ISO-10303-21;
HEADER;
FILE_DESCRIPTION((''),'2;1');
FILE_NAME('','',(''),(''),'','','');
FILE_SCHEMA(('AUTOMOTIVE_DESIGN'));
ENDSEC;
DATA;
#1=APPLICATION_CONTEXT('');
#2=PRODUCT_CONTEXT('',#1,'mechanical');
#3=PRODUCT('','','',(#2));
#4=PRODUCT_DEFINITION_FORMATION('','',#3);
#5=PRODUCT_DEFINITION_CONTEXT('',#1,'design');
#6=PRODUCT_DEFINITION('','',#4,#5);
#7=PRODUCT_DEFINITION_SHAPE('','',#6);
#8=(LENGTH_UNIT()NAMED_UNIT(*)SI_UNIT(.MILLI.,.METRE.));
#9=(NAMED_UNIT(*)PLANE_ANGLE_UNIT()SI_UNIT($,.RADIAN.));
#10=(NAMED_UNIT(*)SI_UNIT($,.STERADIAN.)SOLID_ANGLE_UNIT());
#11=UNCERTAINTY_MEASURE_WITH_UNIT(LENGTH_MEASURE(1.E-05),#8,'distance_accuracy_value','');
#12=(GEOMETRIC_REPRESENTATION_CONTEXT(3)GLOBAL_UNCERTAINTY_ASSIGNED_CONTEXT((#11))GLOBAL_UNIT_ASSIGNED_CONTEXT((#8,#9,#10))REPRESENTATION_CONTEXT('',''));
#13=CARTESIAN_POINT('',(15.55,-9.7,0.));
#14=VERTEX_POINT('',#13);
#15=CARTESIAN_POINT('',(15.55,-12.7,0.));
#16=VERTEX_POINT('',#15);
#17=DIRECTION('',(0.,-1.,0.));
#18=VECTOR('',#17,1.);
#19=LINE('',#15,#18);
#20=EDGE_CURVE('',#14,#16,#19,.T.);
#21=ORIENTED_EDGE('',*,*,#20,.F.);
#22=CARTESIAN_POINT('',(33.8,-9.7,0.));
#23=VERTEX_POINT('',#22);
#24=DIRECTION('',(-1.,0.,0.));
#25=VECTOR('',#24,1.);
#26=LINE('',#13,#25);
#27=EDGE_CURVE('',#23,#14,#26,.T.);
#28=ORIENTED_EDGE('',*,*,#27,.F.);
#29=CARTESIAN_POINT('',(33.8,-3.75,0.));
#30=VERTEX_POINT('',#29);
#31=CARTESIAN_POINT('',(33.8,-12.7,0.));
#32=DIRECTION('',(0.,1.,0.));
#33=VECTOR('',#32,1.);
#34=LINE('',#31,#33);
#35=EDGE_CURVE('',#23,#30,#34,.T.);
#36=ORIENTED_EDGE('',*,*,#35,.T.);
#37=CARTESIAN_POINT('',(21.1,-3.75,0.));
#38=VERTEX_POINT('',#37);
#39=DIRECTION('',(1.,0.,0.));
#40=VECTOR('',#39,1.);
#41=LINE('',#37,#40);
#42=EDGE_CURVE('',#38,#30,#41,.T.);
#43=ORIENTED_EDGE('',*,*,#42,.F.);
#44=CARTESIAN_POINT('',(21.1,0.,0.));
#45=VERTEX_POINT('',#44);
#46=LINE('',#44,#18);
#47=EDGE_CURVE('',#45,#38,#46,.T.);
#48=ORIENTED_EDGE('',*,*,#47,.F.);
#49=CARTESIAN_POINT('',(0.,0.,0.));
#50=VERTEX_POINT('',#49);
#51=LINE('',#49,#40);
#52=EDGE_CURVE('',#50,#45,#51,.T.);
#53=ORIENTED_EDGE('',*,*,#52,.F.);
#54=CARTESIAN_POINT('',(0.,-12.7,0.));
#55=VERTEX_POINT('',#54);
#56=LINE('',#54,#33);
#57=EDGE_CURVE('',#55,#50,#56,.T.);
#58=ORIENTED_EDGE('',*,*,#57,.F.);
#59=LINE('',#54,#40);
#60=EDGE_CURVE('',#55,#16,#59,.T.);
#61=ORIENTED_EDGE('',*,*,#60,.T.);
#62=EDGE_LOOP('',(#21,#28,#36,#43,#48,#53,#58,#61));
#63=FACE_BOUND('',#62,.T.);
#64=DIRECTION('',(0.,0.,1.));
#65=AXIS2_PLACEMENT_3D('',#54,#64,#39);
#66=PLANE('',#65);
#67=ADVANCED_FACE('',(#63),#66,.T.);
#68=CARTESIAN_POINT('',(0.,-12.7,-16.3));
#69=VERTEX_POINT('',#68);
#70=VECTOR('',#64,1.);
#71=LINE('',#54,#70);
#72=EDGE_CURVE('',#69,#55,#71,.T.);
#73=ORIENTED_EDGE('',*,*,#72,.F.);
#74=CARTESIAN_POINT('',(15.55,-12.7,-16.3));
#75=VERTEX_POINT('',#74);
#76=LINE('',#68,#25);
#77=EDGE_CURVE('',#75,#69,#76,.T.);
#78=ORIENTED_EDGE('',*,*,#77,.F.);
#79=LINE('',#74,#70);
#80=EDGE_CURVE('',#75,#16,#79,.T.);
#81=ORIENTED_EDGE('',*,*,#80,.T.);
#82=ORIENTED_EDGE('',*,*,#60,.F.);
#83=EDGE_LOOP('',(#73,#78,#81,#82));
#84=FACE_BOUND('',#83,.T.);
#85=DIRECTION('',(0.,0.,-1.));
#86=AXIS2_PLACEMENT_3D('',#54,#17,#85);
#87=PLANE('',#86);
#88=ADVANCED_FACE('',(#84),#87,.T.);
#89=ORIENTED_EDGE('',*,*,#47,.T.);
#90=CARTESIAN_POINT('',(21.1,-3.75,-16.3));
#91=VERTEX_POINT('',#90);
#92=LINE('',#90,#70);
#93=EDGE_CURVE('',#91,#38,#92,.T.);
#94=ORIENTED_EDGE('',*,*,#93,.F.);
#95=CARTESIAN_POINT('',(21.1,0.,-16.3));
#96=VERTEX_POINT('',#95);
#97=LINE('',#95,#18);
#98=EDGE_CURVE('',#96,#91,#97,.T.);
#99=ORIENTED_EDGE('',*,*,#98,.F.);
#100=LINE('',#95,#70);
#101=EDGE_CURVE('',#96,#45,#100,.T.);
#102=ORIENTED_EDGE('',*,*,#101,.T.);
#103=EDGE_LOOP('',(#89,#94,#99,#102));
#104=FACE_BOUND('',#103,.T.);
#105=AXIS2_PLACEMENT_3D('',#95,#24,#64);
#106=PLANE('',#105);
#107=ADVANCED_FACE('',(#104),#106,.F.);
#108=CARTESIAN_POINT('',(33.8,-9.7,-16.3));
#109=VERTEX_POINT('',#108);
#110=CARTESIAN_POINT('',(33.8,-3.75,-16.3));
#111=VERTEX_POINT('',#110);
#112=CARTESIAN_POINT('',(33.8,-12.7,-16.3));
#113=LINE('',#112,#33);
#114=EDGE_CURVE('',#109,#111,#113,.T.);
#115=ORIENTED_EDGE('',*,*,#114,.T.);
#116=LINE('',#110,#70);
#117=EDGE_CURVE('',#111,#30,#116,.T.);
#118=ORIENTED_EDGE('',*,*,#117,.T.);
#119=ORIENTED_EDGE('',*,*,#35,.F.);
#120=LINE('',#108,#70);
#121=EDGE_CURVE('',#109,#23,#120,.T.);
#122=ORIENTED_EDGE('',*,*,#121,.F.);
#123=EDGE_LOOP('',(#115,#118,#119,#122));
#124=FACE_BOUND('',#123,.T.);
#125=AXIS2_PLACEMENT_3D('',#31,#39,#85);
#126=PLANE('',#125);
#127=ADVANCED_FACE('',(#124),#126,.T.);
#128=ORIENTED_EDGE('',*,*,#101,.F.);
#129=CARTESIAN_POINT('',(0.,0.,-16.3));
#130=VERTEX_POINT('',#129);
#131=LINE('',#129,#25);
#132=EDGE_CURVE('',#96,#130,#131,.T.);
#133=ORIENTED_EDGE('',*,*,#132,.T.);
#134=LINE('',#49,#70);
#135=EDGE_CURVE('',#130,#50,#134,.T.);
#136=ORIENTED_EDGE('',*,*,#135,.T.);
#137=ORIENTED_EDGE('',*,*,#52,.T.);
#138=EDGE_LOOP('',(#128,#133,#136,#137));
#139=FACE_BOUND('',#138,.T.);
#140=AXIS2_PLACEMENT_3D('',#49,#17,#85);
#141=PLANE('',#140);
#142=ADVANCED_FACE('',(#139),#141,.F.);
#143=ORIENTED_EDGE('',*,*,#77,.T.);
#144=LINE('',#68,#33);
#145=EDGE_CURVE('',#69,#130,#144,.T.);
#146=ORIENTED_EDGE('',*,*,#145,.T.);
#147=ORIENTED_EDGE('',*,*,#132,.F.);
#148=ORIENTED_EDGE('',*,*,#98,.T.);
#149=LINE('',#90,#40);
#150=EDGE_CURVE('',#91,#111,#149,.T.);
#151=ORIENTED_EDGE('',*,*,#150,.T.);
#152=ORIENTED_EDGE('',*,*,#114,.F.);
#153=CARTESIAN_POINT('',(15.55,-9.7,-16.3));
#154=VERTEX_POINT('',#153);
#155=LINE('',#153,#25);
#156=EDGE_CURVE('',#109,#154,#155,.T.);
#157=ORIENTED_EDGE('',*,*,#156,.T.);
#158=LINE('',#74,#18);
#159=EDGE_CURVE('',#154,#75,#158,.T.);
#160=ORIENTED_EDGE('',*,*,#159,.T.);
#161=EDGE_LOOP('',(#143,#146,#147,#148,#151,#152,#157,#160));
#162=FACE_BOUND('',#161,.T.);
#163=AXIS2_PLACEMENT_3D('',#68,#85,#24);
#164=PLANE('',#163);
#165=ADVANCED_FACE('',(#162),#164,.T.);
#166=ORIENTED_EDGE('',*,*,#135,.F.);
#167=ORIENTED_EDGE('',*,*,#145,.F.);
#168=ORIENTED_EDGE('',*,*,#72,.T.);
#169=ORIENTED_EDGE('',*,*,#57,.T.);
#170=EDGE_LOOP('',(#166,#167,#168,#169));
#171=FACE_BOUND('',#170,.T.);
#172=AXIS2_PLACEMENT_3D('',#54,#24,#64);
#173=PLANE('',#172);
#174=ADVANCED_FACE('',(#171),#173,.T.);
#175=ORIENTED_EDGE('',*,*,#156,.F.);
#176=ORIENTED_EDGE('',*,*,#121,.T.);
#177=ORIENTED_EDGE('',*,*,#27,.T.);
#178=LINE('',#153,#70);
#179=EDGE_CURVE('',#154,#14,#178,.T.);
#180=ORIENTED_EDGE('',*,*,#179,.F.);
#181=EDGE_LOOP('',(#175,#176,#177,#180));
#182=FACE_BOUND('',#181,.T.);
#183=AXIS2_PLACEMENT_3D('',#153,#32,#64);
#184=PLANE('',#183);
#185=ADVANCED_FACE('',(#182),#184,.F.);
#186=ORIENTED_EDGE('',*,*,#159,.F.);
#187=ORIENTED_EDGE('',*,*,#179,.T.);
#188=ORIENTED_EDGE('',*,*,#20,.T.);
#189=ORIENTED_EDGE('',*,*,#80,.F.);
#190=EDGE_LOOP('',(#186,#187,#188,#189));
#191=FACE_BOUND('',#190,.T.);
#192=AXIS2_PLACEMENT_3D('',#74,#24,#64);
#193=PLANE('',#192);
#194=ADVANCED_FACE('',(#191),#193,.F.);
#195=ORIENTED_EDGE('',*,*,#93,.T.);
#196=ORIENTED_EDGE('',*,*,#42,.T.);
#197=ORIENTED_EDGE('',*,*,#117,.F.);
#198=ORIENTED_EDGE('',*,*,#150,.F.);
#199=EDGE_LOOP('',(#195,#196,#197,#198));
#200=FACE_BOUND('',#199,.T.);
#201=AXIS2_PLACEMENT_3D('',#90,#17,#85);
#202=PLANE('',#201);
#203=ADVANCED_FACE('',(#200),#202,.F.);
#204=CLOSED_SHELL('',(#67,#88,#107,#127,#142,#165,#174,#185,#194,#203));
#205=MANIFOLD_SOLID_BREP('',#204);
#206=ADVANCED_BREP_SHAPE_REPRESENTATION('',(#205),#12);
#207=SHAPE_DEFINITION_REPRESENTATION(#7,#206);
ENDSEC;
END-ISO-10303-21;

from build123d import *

# Parameters (mm, degrees)
SKETCH1_W           = 33.8
SKETCH1_H           = 16.3
BOSS_EXTRUDE1_DEPTH = 12.7
SKETCH2_W           = 18.25
SKETCH2_H           = 3
SKETCH2_W_2         = 12.7
SKETCH2_H_2         = 3.75
CUT_EXTRUDE1_DEPTH  = 40.615905896


with BuildPart() as part:
    # Sketch1 → Boss-Extrude1 (new body)
    with BuildSketch(Plane(origin=(0, 0, 0), x_dir=(1, 0, 0), z_dir=(0, 1, 0))):
        with Locations((16.9, 8.15)):
            Rectangle(SKETCH1_W, SKETCH1_H)
    extrude(amount=-BOSS_EXTRUDE1_DEPTH)

    # Sketch2 → Cut-Extrude1 (cut, through all)
    with BuildSketch(Plane.XY):
        with Locations((24.675, -11.2)):
            Rectangle(SKETCH2_W, SKETCH2_H)
        with Locations((27.45, -1.875)):
            Rectangle(SKETCH2_W_2, SKETCH2_H_2)
    extrude(amount=-CUT_EXTRUDE1_DEPTH, mode=Mode.SUBTRACT)


solid = part.part
